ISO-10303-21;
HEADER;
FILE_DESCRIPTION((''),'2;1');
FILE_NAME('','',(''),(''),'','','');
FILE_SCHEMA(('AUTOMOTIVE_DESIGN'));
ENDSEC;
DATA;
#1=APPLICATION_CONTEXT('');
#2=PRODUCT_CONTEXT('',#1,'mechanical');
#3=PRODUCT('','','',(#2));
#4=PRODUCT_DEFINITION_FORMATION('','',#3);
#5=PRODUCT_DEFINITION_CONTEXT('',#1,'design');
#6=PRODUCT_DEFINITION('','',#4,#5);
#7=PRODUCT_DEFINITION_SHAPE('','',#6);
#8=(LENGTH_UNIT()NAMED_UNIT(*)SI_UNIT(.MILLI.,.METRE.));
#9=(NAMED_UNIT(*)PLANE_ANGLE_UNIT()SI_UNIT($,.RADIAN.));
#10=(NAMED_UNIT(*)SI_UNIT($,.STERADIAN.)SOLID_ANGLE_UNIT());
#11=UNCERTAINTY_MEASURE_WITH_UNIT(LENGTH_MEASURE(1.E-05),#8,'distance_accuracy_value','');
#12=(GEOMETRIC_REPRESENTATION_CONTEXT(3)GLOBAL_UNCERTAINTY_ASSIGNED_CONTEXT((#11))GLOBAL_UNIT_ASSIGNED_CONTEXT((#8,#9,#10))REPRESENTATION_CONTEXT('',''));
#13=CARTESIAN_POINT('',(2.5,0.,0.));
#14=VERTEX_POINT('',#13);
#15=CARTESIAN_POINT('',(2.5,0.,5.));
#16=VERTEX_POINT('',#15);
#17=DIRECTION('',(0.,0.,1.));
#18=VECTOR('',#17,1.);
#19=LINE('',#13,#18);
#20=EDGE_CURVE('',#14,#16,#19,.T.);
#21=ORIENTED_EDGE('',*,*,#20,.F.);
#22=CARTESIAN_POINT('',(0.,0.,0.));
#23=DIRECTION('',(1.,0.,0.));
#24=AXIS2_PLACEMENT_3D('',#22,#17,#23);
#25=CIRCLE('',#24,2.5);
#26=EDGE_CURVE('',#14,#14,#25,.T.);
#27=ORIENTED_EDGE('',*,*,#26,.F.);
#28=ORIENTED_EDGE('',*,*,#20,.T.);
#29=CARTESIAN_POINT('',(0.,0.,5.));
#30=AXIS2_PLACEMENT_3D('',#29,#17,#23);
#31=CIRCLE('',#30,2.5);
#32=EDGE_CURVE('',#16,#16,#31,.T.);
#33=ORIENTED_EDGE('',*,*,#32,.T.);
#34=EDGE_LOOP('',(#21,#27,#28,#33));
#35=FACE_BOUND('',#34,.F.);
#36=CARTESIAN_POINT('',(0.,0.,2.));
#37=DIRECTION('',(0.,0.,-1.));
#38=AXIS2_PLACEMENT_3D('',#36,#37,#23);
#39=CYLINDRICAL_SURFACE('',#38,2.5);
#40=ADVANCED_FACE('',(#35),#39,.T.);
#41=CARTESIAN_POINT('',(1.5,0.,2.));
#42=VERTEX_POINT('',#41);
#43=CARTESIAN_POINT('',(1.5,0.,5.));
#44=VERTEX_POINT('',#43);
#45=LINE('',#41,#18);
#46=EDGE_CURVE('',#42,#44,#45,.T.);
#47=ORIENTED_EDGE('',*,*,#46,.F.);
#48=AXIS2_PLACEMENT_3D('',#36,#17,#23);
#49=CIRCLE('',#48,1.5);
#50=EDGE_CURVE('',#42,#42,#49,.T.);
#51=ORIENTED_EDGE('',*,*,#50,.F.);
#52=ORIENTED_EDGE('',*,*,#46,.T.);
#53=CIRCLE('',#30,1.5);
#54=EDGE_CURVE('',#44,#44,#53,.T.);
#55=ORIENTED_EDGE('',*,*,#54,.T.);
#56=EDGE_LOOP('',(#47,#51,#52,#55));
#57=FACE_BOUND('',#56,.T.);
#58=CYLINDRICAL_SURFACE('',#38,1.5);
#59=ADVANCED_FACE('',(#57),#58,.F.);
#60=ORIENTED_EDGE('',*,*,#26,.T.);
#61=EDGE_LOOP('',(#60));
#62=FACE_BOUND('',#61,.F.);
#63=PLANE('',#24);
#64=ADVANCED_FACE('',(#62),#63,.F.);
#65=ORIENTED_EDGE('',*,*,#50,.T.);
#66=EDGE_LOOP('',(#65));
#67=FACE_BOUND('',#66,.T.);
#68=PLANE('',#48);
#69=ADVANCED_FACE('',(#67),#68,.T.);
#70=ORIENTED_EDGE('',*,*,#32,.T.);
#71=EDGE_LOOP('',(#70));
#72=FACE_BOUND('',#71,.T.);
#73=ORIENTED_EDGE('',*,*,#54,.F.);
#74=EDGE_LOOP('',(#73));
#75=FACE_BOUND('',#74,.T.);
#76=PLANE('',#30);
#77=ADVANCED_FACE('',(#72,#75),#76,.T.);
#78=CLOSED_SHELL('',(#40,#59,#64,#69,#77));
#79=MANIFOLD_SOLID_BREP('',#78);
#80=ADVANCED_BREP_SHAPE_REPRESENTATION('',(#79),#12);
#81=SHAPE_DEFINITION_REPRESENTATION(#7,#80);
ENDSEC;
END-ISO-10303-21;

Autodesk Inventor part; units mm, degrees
ref_plane "YZ Plane" through (0, 0, 0) normal (1, 0, 0) x (0, 1, 0)
ref_plane "XZ Plane" through (0, 0, 0) normal (0, 1, 0) x (-1, 0, 0)
ref_plane "XY Plane" through (0, 0, 0) normal (0, 0, 1) x (1, 0, 0)
sketch "Sketch1" plane through (0, 0, 0) normal (0, 0, 1) x (1, 0, 0)
  circle A0 centre (0, 0) radius 2.5
  circle A1 centre (0, 0) radius 1.5
  dimension "d0" = 5
  dimension "d1" = 3
extrude "Extrusion1" add sketch "Sketch1" along normal blind 2 contours A0 | A1
sketch "Sketch2" plane through (0, 0, 2) normal (0, 0, 1) x (1, 0, 0)
  circle A0 centre (0, 0) radius 2.5
  circle A1 centre (0, 0) radius 1.5
  dimension "d4" = 5
  dimension "d5" = 3
extrude "Extrusion2" add sketch "Sketch2" along normal blind 3
properties part number "SoftTipShort"
